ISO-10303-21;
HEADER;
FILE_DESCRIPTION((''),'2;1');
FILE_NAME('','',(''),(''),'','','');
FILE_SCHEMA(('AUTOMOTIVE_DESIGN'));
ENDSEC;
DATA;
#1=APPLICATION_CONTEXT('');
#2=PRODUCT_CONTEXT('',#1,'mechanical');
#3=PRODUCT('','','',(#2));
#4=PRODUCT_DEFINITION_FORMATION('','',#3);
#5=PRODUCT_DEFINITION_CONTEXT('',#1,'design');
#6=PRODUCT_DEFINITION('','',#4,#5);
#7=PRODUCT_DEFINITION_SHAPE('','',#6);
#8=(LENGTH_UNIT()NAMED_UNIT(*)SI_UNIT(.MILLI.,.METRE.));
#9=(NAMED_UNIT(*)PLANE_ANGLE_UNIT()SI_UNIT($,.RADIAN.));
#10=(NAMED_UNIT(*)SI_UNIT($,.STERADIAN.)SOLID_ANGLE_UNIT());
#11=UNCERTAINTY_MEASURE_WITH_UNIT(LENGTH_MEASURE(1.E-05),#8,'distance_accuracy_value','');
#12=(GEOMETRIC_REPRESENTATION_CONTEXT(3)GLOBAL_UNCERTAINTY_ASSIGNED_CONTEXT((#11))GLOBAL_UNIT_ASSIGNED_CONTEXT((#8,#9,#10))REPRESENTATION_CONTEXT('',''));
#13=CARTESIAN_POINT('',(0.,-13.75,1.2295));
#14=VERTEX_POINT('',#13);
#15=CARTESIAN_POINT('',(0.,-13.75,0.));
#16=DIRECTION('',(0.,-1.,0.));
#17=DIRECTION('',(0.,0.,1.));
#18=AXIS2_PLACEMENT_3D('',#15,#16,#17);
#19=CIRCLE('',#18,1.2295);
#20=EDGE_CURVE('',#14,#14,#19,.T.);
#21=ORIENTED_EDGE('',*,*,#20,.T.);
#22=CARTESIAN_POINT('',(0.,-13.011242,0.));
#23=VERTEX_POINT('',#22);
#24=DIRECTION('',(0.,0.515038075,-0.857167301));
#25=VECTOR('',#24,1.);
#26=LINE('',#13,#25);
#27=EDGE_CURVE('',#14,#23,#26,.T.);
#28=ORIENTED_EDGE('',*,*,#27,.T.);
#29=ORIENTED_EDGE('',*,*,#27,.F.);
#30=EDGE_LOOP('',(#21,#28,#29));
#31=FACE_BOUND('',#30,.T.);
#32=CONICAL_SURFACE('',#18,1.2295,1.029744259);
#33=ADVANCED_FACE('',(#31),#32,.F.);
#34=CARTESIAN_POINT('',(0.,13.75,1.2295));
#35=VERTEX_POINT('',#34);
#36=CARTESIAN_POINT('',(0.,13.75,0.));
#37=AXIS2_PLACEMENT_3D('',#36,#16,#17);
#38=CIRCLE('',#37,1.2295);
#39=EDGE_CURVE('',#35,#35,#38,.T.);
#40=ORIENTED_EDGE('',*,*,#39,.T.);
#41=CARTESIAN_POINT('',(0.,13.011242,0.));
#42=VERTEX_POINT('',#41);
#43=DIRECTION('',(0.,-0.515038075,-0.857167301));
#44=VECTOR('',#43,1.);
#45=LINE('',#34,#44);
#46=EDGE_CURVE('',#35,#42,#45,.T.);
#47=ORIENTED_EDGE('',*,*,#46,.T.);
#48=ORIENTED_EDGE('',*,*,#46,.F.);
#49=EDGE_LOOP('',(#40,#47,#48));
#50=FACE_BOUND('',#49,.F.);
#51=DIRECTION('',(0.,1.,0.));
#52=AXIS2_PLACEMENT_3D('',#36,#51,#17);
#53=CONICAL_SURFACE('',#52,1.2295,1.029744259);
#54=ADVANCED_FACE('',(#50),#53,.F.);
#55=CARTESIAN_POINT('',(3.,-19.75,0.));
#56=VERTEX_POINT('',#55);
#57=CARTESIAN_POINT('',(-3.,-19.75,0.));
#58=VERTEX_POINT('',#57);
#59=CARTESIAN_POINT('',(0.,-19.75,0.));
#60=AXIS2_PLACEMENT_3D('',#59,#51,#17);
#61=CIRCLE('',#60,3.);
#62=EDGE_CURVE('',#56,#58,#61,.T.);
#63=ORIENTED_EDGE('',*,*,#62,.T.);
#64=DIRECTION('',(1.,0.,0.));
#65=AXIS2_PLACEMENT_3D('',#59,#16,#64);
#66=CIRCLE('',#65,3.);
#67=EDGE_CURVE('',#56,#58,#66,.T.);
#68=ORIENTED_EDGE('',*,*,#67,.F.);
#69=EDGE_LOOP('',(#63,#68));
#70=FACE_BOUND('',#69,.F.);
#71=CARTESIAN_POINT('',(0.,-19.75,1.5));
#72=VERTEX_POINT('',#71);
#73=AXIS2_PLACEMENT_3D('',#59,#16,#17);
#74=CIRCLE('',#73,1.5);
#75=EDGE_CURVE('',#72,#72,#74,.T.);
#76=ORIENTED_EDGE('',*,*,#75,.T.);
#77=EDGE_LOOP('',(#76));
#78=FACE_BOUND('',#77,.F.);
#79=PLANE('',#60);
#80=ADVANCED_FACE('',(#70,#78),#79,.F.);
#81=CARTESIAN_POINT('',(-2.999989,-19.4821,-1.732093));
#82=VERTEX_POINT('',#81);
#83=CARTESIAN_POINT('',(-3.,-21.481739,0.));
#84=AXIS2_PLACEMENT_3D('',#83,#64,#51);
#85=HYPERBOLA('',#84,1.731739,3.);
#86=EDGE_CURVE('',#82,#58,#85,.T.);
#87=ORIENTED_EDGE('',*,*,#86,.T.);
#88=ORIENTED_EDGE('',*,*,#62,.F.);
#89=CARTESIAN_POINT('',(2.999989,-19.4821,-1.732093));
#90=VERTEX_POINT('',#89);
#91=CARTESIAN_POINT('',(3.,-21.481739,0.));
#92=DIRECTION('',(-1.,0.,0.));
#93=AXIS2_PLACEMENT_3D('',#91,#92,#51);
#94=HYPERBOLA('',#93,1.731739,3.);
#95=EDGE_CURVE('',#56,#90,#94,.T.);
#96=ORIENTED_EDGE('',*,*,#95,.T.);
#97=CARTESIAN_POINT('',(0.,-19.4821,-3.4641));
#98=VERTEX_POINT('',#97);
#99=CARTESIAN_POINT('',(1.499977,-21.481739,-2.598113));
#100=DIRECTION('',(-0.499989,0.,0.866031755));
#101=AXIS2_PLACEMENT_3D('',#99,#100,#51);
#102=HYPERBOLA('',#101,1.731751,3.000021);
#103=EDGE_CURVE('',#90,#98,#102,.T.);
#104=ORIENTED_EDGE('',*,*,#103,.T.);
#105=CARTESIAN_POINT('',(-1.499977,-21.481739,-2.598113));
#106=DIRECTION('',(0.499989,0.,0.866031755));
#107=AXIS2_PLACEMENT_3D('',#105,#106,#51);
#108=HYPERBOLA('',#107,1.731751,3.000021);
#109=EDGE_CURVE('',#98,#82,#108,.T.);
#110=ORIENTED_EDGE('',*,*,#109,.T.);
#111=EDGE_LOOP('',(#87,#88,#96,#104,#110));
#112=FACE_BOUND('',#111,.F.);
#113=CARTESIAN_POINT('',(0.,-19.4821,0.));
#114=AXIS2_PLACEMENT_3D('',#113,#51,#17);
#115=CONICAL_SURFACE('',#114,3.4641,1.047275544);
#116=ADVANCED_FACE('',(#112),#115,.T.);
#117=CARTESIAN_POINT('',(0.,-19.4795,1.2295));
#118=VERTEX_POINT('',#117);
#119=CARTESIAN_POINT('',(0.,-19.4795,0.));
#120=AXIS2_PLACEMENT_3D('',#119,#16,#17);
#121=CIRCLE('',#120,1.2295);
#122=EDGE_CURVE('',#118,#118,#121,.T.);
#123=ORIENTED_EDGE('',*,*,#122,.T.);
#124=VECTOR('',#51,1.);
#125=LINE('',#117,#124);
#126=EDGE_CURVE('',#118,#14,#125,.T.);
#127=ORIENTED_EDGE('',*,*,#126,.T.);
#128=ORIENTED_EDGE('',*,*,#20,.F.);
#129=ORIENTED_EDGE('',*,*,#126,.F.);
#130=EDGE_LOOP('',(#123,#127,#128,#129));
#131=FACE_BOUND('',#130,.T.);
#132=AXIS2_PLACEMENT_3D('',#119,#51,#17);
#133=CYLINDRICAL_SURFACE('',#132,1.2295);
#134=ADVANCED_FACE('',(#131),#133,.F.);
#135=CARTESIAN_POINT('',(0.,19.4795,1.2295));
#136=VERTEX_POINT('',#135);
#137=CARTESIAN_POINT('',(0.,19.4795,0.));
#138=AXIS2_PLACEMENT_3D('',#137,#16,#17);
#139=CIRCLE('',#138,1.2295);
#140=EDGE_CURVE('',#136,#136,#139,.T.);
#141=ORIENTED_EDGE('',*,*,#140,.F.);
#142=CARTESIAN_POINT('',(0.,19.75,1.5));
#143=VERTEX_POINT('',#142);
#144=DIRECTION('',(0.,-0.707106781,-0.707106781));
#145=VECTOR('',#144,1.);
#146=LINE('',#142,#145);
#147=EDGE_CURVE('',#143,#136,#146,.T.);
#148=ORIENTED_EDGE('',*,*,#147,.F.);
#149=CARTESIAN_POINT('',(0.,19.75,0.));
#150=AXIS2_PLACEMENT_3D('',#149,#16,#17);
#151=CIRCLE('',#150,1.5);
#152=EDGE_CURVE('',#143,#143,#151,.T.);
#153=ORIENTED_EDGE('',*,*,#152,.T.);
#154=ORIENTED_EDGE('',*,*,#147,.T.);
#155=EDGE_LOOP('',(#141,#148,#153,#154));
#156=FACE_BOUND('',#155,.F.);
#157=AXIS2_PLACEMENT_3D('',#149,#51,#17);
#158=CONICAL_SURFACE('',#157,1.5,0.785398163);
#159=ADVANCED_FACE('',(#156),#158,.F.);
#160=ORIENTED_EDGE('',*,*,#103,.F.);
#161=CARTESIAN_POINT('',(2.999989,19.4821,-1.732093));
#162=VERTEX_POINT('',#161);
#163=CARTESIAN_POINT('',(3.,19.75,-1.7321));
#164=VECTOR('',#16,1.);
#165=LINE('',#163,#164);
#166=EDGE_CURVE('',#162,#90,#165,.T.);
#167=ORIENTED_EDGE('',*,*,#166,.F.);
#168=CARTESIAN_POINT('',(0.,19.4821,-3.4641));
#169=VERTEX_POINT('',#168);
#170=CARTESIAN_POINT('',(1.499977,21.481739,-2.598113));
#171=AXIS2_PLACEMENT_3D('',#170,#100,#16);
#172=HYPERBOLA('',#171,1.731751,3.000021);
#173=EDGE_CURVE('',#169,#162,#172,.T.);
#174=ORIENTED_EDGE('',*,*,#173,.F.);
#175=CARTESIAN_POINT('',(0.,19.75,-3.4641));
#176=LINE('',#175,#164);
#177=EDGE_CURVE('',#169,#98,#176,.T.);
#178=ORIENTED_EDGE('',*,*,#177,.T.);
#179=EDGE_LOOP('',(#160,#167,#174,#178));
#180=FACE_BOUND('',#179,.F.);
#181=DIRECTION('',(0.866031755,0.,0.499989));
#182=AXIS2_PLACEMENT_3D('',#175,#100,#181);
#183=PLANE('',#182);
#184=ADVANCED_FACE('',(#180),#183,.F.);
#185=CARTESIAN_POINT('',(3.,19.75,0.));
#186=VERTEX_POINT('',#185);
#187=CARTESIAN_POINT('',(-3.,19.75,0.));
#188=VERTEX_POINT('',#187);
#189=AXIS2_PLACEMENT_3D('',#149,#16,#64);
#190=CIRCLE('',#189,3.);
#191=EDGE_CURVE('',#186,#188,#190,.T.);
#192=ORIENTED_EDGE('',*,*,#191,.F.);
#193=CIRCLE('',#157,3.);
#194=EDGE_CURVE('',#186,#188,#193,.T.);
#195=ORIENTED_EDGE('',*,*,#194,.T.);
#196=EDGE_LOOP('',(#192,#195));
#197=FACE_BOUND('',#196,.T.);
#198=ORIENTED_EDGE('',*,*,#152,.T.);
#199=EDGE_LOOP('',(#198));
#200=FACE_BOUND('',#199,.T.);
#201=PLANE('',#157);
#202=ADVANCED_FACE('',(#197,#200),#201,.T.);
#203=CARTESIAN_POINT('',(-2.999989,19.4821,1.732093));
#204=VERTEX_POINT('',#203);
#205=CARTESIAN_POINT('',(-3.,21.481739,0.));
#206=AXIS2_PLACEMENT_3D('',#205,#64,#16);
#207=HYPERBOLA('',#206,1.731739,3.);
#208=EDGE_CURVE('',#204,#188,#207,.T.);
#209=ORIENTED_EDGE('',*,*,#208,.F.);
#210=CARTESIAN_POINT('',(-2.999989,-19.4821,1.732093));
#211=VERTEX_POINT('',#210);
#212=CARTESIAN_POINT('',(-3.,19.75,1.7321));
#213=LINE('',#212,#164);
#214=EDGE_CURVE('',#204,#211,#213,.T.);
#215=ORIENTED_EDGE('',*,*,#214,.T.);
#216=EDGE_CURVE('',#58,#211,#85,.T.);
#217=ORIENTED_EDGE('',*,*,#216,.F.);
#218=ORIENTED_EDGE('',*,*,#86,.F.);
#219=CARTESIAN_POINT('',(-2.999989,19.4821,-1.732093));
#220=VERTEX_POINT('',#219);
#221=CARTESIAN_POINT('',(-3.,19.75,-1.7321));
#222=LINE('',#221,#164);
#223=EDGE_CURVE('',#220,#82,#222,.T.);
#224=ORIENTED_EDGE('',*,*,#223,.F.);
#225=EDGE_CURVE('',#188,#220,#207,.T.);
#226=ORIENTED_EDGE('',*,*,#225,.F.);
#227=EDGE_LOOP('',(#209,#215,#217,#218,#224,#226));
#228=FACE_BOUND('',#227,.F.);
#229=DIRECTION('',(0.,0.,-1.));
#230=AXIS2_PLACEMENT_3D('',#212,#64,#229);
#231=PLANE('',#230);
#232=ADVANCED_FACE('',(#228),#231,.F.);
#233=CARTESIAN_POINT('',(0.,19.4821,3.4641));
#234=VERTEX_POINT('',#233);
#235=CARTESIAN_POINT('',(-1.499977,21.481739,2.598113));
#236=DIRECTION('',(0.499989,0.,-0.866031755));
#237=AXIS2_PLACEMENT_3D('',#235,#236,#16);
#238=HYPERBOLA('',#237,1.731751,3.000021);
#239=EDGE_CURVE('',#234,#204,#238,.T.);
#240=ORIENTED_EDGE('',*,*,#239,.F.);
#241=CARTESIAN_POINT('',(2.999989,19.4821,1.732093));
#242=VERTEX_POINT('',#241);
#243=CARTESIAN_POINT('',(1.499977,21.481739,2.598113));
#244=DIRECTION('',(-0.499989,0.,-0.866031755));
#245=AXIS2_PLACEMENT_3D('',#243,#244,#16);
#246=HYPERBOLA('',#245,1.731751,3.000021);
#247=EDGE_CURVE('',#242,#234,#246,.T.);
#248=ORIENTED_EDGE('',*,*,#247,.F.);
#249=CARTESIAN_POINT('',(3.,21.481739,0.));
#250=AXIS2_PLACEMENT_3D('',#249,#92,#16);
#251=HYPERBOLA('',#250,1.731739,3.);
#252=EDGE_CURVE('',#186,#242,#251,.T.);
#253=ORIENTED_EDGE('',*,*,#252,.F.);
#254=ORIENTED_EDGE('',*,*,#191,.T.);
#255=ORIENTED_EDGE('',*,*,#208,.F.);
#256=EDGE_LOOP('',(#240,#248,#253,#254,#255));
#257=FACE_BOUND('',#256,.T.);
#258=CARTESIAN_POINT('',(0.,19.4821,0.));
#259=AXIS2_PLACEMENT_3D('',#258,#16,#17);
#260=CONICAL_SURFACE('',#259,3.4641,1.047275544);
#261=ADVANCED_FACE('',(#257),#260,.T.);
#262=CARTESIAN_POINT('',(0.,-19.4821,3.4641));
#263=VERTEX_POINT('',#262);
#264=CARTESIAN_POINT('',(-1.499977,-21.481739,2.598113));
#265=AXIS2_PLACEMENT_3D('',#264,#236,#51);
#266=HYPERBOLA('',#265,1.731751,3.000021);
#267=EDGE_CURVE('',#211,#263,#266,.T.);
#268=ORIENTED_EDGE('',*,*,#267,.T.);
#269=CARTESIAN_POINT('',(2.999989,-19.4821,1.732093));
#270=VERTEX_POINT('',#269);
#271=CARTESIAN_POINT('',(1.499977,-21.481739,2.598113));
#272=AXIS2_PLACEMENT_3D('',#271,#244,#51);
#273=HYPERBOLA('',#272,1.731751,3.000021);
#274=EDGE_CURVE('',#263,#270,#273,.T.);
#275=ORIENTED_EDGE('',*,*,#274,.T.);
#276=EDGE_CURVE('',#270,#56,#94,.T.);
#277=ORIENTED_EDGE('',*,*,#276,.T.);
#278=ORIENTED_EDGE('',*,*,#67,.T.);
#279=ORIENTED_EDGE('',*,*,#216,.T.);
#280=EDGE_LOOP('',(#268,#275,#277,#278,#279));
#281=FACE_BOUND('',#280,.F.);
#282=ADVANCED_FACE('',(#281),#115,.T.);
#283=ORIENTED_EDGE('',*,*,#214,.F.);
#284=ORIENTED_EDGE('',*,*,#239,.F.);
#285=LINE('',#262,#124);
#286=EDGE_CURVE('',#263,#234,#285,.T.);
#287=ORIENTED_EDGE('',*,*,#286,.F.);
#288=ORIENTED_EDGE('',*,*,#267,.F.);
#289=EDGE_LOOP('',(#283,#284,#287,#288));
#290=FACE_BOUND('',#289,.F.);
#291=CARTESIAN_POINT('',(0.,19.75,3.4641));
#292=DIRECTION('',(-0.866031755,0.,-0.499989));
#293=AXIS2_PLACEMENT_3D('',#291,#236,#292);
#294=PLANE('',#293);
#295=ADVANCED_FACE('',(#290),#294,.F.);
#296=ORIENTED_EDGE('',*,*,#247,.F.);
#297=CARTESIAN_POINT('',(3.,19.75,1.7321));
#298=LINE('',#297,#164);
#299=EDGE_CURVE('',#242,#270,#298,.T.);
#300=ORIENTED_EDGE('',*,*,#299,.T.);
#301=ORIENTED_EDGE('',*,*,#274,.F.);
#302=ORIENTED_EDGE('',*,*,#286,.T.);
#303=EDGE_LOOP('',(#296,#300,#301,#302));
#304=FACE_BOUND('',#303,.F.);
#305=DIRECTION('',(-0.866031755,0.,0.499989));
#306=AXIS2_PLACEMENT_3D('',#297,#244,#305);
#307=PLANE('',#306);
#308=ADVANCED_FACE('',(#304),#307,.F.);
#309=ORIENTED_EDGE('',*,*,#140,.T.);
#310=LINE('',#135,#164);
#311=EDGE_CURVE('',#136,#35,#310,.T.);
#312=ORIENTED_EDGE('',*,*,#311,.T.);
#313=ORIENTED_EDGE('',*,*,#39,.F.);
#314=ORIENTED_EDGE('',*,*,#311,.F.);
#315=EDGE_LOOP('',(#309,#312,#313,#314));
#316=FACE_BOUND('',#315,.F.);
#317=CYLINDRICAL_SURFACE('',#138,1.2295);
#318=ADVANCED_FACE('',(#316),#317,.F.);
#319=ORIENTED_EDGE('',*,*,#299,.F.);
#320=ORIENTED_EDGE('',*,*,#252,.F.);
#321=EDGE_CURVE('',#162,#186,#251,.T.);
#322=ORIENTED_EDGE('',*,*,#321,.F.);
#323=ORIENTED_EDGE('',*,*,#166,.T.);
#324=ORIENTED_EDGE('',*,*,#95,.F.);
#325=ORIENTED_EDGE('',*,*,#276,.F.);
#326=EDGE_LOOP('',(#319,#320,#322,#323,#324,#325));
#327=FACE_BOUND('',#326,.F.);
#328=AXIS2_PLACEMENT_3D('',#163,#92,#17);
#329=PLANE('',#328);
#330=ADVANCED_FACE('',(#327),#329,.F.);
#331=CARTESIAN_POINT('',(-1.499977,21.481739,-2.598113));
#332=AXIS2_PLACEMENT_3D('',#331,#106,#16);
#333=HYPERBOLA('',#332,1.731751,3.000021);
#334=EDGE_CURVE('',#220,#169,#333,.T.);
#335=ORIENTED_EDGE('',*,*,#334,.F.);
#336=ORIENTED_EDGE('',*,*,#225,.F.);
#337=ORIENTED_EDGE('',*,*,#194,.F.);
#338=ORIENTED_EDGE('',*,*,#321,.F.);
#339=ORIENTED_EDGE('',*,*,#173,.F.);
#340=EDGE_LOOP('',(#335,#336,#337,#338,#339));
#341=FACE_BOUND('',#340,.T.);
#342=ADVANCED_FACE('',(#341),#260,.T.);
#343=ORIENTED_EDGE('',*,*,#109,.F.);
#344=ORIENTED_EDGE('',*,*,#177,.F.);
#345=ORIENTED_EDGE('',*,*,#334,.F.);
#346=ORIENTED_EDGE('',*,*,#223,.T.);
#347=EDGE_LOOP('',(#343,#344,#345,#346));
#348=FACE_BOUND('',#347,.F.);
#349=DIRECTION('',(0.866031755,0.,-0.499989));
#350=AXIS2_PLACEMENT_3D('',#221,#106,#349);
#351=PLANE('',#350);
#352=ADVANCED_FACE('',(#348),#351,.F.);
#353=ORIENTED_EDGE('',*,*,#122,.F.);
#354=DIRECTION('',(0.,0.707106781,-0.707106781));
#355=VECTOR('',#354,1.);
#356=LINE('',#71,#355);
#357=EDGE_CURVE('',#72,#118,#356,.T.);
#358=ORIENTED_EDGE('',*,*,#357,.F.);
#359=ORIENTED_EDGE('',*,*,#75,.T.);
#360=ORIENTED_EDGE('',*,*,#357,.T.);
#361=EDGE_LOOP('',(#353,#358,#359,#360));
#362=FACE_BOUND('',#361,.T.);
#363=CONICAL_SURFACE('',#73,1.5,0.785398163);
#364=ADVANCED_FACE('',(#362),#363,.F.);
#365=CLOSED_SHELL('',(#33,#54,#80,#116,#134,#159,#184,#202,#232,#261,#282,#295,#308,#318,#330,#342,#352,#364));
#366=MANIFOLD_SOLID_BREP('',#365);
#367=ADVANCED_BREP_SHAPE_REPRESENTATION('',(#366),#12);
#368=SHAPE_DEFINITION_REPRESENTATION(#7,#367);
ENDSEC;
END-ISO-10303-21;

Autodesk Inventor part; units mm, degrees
ref_plane "YZ Plane" through (0, 0, 0) normal (1, 0, 0) x (0, 1, 0)
ref_plane "XZ Plane" through (0, 0, 0) normal (0, 1, 0) x (-1, 0, 0)
ref_plane "XY Plane" through (0, 0, 0) normal (0, 0, 1) x (1, 0, 0)
sketch "スケッチ1" plane through (0, 0, 0) normal (1, 0, 0) x (0, 1, 0)
  line L0 (-19.75, 0) -> (19.75, 0)
  line L1 (0, 0) -> (0, 3.4641) construction
  line L2 (-19.4821, 3.4641) -> (-19.75, 3)
  line L3 (-19.75, 3) -> (-19.75, 0)
  line L4 (-19.4821, 3.4641) -> (19.4821, 3.4641)
  line L5 (19.4821, 3.4641) -> (19.75, 3)
  line L6 (19.75, 3) -> (19.75, 0)
  dimension "d1" = 3
  dimension "d2" = 3.4641
  dimension "d3" = 30
  dimension "d4" = 39.5
revolve "回転1" add sketch "スケッチ1" angle 360 about axis through (0, -19.75, 0) along (0, 1, 0)
sketch "スケッチ2" plane through (0, 19.75, 0) normal (0, 1, 0) x (1, 0, 0)
  circle A0 centre (0, 0) radius 3.4641 projected
  line L0 (0, -3.4641) -> (-3, -1.7321)
  line L1 (-3, -1.7321) -> (-3, 1.7321)
  line L2 (-3, 1.7321) -> (0, 3.4641)
  line L3 (0, 3.4641) -> (3, 1.7321)
  line L4 (3, 1.7321) -> (3, -1.7321)
  line L5 (3, -1.7321) -> (0, -3.4641)
  point P0 (0, 0)
  point P1 (0, 0)
  point P2 (3, -1.7321)
  point P3 (3, -1.7321)
  point P4 (3, 1.7321)
  point P5 (3, 1.7321)
  point P6 (0, 3.4641)
  point P7 (0, 3.4641)
  point P8 (-3, 1.7321)
  point P9 (-3, 1.7321)
  point P10 (-3, -1.7321)
  point P11 (-3, -1.7321)
extrude "押し出し1" cut sketch "スケッチ2" against normal through all contours A0 L4 | L3 A0 | A0 L5 | L2 A0 | A0 L0 | L1 A0
hole "穴1" at (0, 19.75, 0) direction (0, -1, 0) diameter 2.459 depth 6 tip angle 118 countersink diameter 3 countersink angle 90 thread size "M3x0.5" class "6H" standard "ISO Metric profile"
mirror "ミラー1" about plane through (0, 0, 0) normal (0, 1, 0) of "穴1"
equation "\"d2\" = 1.1547 * d1"
properties part number "ABLSBF6-39.5-M3-N3" material "アルミニウム 2014-T4"
